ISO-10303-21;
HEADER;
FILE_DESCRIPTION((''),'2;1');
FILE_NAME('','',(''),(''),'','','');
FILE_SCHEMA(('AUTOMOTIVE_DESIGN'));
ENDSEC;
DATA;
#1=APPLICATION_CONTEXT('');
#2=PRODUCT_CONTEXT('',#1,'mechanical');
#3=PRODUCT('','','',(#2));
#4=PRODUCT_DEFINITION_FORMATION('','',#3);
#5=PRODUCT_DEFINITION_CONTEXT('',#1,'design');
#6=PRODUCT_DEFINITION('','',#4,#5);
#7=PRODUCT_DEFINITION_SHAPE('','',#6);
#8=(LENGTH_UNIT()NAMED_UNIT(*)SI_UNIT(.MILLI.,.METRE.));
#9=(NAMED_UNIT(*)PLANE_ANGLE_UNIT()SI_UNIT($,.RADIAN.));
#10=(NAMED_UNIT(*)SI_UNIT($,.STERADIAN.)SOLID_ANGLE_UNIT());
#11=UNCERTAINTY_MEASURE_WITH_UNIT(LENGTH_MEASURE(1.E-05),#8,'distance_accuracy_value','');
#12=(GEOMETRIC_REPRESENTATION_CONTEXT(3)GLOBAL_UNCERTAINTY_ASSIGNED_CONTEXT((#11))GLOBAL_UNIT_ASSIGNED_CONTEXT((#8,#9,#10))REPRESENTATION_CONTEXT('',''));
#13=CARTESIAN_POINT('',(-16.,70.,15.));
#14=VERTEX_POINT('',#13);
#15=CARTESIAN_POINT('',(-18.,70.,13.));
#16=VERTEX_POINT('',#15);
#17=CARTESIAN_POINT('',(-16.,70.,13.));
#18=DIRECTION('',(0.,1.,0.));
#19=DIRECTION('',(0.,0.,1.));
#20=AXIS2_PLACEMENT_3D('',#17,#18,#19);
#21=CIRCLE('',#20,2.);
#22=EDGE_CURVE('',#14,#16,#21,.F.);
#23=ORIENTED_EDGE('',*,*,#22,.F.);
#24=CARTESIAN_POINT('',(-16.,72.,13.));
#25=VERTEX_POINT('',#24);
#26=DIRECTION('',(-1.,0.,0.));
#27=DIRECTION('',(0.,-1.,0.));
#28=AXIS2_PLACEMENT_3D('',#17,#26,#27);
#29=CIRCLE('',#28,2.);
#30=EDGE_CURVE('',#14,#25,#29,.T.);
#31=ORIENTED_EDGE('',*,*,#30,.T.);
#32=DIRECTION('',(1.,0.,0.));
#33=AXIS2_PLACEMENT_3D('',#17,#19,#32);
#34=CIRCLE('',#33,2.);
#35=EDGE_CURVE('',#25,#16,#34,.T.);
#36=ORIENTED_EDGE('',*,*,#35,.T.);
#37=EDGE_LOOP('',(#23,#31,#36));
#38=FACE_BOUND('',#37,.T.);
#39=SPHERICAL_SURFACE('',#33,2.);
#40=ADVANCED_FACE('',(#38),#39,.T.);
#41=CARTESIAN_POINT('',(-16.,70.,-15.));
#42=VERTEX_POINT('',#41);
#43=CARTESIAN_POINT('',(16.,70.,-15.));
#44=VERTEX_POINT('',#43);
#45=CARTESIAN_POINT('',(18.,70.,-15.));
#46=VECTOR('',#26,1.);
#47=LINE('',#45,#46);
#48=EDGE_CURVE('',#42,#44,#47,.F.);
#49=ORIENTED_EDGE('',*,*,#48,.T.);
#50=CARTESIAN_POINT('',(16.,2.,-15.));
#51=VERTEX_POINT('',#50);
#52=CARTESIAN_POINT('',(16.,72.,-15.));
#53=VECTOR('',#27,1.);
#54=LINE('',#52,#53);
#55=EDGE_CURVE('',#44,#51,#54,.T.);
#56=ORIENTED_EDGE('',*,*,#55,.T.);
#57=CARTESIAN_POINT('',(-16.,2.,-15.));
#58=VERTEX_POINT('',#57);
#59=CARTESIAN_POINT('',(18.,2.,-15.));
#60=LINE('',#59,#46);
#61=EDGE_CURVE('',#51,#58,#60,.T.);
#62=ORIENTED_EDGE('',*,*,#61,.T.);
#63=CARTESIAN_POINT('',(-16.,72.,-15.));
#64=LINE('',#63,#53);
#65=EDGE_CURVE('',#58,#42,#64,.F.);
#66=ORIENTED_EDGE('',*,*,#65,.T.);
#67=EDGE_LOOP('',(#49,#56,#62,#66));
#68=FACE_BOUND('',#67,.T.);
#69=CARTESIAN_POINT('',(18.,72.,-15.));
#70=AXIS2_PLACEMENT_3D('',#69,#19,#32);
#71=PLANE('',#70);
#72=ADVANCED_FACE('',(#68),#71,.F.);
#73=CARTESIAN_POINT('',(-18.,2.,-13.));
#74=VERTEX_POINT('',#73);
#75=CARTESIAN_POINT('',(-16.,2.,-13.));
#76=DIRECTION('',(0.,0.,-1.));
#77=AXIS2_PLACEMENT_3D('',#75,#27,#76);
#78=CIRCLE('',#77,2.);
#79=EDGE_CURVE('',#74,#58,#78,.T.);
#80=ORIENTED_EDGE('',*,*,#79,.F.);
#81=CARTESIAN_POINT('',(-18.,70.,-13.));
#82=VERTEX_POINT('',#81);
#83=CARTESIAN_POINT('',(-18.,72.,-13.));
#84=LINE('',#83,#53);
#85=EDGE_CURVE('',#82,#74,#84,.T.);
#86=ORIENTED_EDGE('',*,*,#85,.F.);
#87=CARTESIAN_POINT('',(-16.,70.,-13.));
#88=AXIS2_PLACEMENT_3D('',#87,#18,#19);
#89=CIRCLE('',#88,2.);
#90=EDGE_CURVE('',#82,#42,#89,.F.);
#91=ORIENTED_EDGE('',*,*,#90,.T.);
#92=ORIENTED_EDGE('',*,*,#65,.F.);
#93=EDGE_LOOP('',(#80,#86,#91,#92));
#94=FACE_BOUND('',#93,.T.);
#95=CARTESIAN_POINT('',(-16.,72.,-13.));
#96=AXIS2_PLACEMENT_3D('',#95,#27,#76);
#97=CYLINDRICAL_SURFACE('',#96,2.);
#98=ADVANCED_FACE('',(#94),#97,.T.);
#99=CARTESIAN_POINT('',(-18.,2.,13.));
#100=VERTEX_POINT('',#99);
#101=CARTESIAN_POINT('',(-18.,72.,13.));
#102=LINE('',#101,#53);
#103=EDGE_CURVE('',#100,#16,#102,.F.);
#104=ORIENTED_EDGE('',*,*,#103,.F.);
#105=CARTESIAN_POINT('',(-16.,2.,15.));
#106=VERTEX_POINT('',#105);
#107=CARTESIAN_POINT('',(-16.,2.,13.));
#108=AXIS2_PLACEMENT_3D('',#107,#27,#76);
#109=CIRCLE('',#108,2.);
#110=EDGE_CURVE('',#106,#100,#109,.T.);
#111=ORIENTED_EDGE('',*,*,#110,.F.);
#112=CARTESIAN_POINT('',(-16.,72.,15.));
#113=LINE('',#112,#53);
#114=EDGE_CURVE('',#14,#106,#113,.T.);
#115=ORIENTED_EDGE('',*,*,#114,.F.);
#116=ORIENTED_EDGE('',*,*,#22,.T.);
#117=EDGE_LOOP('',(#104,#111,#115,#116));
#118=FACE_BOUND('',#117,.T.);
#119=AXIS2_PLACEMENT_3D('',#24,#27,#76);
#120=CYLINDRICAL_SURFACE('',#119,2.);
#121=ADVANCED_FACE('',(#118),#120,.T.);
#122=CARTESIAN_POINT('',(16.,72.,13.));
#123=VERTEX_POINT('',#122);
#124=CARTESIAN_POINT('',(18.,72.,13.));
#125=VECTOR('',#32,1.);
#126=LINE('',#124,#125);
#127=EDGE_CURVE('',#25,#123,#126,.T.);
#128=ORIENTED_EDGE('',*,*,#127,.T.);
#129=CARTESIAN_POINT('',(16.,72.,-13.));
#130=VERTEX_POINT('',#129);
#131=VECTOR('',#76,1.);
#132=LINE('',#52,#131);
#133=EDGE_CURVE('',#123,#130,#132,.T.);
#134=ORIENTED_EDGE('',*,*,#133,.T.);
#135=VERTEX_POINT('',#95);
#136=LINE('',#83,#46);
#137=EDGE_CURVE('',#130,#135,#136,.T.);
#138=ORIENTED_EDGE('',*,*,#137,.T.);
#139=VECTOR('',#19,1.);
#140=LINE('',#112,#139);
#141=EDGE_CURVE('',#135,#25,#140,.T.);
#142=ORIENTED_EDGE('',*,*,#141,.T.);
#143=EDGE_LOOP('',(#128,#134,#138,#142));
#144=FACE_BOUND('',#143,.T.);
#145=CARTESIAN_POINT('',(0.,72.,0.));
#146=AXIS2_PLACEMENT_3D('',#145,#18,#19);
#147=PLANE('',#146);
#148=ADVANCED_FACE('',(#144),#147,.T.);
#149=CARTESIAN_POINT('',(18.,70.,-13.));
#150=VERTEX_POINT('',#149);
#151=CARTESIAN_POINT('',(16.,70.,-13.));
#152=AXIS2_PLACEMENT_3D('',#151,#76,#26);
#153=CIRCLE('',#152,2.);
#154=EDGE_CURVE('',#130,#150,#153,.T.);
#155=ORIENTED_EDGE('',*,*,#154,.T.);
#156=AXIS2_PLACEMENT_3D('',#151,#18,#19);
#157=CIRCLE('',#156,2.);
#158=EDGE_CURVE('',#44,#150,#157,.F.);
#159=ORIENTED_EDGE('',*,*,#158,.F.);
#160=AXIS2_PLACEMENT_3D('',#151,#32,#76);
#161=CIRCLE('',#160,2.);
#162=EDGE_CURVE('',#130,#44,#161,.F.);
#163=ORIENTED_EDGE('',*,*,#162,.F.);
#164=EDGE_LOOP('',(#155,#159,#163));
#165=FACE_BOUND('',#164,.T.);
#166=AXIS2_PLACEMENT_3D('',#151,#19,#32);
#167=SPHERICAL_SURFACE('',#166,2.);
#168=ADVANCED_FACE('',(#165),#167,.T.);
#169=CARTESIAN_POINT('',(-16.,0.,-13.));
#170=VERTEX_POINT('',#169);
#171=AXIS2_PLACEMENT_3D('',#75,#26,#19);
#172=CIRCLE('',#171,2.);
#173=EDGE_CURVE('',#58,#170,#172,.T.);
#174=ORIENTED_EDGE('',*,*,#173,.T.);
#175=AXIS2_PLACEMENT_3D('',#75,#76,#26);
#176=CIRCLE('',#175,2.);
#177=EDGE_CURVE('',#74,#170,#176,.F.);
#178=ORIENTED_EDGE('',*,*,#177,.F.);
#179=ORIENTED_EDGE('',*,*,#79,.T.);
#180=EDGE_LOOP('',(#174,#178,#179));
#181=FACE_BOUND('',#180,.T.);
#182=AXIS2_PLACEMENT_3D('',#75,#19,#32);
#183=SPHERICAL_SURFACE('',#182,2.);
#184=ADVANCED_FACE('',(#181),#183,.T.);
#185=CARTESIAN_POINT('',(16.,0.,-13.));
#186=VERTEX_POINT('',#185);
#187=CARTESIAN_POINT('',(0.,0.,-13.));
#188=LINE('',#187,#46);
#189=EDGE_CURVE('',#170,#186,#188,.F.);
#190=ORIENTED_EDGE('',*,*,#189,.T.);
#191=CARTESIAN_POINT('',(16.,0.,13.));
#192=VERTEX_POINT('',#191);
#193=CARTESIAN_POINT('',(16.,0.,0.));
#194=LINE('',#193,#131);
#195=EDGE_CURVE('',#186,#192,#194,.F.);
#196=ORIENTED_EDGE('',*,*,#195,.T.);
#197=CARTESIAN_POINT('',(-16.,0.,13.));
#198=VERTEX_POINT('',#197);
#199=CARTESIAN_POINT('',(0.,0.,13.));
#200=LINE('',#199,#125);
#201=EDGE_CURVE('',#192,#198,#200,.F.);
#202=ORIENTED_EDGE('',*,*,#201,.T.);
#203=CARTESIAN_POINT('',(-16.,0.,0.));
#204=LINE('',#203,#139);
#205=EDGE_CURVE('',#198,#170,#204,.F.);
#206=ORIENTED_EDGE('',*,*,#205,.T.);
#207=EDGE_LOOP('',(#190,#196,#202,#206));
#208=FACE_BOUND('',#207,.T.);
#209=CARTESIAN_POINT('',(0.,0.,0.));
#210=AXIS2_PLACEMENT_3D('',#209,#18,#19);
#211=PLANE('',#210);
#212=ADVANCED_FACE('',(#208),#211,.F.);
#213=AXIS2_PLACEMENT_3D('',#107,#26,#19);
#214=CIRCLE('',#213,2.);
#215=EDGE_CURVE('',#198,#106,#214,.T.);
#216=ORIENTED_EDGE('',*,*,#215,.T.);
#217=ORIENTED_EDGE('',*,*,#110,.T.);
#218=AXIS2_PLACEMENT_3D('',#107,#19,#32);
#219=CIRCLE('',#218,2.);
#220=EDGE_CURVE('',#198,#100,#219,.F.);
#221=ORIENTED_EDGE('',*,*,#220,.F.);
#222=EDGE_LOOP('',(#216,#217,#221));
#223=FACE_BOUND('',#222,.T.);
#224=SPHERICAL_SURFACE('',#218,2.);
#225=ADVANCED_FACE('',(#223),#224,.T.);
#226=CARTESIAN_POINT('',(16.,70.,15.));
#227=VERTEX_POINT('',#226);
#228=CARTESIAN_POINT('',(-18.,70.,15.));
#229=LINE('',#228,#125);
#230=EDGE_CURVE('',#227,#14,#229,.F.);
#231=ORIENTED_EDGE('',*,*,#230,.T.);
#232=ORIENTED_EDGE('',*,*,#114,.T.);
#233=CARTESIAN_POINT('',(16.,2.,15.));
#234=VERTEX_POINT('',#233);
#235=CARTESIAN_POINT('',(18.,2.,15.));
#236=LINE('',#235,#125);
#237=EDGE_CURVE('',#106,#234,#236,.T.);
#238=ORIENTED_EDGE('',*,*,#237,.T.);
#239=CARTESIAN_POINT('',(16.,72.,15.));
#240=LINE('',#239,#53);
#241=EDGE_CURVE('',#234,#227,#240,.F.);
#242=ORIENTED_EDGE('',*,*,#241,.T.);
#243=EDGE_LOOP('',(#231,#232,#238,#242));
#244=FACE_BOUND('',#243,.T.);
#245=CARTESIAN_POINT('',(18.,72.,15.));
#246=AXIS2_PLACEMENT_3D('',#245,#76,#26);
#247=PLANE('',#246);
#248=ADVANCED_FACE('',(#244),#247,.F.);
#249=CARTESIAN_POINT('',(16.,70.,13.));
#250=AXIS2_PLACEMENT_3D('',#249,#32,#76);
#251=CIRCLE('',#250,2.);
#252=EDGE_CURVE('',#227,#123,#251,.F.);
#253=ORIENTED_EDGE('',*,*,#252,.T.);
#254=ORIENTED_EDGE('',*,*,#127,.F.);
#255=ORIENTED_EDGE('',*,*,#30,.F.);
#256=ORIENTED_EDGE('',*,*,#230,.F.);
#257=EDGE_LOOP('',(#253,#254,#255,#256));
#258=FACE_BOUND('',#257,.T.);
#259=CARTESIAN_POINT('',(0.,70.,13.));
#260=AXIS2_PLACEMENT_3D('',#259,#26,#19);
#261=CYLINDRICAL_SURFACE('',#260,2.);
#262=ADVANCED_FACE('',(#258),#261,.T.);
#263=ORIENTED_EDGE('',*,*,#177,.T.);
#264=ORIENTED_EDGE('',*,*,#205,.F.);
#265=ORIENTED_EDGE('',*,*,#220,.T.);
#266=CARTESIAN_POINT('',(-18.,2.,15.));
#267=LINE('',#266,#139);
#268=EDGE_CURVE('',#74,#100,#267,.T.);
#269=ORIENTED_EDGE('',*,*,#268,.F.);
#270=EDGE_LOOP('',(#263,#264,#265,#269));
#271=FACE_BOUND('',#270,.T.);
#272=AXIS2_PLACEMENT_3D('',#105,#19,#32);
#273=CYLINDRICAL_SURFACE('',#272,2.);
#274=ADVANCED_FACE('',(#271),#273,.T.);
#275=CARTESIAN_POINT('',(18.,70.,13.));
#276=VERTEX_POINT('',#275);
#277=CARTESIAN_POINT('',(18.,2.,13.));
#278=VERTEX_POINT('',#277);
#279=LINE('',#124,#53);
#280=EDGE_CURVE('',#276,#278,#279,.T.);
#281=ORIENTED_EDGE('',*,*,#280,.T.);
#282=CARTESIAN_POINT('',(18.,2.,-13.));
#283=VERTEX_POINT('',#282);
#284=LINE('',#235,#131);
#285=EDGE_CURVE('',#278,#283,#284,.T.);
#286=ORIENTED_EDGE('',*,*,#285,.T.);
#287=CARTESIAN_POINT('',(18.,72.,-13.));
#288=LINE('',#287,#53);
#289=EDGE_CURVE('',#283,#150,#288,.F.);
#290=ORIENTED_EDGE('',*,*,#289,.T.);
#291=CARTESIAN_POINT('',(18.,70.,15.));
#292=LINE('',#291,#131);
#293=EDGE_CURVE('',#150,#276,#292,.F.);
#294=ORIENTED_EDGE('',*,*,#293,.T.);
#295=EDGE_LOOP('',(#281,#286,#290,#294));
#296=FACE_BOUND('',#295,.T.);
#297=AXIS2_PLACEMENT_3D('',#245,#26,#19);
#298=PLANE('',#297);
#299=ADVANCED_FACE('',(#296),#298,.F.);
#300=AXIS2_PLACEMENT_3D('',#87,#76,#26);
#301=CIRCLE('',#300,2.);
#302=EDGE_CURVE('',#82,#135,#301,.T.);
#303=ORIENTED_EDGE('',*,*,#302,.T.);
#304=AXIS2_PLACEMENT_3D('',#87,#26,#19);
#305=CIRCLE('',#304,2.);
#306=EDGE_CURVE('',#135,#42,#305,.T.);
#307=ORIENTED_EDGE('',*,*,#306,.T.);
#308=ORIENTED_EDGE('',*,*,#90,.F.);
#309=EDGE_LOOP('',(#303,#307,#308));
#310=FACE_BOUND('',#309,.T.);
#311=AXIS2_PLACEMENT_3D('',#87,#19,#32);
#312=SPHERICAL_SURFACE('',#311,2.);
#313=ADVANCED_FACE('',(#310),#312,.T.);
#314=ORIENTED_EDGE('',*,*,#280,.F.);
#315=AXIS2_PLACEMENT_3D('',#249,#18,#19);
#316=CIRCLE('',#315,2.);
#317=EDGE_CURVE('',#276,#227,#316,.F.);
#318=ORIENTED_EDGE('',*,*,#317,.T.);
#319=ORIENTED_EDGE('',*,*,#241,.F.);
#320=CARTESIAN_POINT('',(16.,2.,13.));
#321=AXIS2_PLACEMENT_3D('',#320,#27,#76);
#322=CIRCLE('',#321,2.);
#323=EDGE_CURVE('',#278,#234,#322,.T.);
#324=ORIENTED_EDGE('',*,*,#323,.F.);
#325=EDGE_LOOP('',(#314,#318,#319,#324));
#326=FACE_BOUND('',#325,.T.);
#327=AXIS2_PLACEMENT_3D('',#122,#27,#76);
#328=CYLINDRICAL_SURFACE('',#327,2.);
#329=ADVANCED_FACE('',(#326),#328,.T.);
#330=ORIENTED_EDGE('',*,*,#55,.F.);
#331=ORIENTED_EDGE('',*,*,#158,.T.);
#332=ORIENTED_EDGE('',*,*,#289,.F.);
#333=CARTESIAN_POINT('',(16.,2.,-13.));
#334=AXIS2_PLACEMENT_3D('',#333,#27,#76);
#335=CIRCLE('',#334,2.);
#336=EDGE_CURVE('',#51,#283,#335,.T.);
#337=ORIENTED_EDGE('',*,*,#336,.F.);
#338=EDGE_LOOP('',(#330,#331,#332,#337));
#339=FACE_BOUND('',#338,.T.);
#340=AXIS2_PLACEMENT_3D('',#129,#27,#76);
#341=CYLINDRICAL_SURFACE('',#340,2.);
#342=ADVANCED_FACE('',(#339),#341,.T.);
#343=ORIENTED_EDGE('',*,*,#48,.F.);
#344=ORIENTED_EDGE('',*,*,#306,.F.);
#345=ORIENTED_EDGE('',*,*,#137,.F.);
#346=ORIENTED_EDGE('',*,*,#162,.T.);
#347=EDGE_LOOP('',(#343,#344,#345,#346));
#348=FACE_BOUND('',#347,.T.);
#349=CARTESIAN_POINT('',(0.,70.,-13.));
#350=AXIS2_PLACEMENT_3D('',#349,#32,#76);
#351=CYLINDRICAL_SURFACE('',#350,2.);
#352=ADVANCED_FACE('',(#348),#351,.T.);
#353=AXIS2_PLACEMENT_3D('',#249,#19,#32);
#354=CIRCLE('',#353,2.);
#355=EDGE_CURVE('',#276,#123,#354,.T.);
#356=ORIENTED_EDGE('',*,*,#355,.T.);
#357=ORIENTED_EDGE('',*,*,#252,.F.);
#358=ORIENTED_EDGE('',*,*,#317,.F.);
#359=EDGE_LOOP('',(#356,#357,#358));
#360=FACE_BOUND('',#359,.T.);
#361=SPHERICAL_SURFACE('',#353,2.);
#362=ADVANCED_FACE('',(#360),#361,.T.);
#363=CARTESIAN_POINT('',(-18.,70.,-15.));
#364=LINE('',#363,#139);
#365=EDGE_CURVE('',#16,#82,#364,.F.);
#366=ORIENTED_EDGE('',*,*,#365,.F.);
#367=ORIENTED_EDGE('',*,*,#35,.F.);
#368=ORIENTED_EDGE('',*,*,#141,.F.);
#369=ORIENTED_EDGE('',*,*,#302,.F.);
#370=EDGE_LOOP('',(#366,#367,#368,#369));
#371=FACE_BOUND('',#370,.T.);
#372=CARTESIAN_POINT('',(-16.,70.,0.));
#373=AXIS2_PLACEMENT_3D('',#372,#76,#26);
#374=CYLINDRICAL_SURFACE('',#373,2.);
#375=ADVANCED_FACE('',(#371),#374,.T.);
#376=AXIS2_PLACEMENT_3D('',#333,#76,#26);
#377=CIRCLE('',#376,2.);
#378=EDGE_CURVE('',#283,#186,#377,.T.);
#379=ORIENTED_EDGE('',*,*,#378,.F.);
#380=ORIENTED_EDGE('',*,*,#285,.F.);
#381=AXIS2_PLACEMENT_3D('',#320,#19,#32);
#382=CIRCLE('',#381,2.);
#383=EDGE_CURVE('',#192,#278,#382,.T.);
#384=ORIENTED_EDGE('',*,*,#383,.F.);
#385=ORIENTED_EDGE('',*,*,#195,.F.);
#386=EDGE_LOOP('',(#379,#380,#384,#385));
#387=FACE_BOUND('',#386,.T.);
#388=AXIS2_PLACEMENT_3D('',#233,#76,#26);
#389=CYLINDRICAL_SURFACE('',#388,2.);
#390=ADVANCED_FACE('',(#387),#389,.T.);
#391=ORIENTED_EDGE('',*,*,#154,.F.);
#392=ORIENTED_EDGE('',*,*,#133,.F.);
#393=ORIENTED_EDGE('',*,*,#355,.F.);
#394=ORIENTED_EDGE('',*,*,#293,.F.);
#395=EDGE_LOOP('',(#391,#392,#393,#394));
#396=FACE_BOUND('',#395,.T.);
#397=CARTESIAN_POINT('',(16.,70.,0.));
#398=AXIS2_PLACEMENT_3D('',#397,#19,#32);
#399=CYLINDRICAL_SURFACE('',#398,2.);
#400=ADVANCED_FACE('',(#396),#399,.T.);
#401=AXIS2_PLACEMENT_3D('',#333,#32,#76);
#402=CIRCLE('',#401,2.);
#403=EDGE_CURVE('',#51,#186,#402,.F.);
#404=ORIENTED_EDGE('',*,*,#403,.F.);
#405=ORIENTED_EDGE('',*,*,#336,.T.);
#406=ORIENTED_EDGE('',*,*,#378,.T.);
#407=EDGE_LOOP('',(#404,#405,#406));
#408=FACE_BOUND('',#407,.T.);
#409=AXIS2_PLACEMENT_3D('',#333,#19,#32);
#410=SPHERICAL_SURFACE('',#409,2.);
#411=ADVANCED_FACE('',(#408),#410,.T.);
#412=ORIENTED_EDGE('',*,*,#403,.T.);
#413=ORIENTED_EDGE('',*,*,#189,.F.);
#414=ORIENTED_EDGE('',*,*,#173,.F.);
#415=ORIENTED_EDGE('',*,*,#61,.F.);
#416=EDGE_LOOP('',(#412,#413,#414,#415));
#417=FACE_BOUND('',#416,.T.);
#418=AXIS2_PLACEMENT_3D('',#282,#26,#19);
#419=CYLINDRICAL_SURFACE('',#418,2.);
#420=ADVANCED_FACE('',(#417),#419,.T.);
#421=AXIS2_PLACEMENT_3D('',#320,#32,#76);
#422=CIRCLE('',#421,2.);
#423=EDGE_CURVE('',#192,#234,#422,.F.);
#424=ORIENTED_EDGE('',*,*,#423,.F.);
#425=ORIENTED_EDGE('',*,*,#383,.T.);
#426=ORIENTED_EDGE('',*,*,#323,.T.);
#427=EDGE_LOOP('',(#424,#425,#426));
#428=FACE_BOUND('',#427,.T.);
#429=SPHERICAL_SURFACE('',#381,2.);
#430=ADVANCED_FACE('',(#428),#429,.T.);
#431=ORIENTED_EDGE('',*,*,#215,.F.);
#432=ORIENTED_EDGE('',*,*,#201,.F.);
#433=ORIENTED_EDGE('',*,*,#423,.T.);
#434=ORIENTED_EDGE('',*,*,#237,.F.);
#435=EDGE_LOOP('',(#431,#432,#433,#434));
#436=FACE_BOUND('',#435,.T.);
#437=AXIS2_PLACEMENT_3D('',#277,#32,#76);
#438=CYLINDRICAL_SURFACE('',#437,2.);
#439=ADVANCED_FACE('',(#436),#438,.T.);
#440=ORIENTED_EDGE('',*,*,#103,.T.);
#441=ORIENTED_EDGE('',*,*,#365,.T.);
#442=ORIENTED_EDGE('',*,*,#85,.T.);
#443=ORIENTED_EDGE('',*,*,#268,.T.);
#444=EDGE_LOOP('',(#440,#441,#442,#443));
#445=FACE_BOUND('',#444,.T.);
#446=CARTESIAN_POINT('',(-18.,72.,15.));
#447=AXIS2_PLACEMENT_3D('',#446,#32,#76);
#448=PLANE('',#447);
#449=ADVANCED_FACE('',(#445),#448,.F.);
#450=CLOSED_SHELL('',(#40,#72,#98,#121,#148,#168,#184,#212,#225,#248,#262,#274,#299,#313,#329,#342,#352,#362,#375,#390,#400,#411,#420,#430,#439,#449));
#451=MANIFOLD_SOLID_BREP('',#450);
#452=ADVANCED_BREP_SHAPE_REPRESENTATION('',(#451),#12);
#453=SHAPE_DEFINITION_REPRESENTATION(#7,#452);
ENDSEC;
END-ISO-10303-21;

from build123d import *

# Parameters (mm, degrees)
CROQUIS1_W              = 36
CROQUIS1_H              = 30
SALIENTE_EXTRUIR1_DEPTH = 72
REDONDEO1_R             = 2


with BuildPart() as part:
    # Croquis1 → Saliente-Extruir1 (new body)
    with BuildSketch(Plane(origin=(0, 0, 0), x_dir=(1, 0, 0), z_dir=(0, 1, 0))):
        Rectangle(CROQUIS1_W, CROQUIS1_H)
    extrude(amount=SALIENTE_EXTRUIR1_DEPTH)

    # Redondeo1
    redondeo1_edges = [part.edges().sort_by_distance(p)[0] for p in [
        (18, 72, 0),
        (0, 72, -15),
        (-18, 72, 0),
        (0, 0, -15),
        (18, 0, 0),
        (0, 0, 15),
        (-18, 0, 0),
        (0, 72, 15),
        (-18, 36, -15),
        (18, 36, -15),
        (18, 36, 15),
        (-18, 36, 15),
    ]]
    fillet(redondeo1_edges, radius=REDONDEO1_R)


solid = part.part
